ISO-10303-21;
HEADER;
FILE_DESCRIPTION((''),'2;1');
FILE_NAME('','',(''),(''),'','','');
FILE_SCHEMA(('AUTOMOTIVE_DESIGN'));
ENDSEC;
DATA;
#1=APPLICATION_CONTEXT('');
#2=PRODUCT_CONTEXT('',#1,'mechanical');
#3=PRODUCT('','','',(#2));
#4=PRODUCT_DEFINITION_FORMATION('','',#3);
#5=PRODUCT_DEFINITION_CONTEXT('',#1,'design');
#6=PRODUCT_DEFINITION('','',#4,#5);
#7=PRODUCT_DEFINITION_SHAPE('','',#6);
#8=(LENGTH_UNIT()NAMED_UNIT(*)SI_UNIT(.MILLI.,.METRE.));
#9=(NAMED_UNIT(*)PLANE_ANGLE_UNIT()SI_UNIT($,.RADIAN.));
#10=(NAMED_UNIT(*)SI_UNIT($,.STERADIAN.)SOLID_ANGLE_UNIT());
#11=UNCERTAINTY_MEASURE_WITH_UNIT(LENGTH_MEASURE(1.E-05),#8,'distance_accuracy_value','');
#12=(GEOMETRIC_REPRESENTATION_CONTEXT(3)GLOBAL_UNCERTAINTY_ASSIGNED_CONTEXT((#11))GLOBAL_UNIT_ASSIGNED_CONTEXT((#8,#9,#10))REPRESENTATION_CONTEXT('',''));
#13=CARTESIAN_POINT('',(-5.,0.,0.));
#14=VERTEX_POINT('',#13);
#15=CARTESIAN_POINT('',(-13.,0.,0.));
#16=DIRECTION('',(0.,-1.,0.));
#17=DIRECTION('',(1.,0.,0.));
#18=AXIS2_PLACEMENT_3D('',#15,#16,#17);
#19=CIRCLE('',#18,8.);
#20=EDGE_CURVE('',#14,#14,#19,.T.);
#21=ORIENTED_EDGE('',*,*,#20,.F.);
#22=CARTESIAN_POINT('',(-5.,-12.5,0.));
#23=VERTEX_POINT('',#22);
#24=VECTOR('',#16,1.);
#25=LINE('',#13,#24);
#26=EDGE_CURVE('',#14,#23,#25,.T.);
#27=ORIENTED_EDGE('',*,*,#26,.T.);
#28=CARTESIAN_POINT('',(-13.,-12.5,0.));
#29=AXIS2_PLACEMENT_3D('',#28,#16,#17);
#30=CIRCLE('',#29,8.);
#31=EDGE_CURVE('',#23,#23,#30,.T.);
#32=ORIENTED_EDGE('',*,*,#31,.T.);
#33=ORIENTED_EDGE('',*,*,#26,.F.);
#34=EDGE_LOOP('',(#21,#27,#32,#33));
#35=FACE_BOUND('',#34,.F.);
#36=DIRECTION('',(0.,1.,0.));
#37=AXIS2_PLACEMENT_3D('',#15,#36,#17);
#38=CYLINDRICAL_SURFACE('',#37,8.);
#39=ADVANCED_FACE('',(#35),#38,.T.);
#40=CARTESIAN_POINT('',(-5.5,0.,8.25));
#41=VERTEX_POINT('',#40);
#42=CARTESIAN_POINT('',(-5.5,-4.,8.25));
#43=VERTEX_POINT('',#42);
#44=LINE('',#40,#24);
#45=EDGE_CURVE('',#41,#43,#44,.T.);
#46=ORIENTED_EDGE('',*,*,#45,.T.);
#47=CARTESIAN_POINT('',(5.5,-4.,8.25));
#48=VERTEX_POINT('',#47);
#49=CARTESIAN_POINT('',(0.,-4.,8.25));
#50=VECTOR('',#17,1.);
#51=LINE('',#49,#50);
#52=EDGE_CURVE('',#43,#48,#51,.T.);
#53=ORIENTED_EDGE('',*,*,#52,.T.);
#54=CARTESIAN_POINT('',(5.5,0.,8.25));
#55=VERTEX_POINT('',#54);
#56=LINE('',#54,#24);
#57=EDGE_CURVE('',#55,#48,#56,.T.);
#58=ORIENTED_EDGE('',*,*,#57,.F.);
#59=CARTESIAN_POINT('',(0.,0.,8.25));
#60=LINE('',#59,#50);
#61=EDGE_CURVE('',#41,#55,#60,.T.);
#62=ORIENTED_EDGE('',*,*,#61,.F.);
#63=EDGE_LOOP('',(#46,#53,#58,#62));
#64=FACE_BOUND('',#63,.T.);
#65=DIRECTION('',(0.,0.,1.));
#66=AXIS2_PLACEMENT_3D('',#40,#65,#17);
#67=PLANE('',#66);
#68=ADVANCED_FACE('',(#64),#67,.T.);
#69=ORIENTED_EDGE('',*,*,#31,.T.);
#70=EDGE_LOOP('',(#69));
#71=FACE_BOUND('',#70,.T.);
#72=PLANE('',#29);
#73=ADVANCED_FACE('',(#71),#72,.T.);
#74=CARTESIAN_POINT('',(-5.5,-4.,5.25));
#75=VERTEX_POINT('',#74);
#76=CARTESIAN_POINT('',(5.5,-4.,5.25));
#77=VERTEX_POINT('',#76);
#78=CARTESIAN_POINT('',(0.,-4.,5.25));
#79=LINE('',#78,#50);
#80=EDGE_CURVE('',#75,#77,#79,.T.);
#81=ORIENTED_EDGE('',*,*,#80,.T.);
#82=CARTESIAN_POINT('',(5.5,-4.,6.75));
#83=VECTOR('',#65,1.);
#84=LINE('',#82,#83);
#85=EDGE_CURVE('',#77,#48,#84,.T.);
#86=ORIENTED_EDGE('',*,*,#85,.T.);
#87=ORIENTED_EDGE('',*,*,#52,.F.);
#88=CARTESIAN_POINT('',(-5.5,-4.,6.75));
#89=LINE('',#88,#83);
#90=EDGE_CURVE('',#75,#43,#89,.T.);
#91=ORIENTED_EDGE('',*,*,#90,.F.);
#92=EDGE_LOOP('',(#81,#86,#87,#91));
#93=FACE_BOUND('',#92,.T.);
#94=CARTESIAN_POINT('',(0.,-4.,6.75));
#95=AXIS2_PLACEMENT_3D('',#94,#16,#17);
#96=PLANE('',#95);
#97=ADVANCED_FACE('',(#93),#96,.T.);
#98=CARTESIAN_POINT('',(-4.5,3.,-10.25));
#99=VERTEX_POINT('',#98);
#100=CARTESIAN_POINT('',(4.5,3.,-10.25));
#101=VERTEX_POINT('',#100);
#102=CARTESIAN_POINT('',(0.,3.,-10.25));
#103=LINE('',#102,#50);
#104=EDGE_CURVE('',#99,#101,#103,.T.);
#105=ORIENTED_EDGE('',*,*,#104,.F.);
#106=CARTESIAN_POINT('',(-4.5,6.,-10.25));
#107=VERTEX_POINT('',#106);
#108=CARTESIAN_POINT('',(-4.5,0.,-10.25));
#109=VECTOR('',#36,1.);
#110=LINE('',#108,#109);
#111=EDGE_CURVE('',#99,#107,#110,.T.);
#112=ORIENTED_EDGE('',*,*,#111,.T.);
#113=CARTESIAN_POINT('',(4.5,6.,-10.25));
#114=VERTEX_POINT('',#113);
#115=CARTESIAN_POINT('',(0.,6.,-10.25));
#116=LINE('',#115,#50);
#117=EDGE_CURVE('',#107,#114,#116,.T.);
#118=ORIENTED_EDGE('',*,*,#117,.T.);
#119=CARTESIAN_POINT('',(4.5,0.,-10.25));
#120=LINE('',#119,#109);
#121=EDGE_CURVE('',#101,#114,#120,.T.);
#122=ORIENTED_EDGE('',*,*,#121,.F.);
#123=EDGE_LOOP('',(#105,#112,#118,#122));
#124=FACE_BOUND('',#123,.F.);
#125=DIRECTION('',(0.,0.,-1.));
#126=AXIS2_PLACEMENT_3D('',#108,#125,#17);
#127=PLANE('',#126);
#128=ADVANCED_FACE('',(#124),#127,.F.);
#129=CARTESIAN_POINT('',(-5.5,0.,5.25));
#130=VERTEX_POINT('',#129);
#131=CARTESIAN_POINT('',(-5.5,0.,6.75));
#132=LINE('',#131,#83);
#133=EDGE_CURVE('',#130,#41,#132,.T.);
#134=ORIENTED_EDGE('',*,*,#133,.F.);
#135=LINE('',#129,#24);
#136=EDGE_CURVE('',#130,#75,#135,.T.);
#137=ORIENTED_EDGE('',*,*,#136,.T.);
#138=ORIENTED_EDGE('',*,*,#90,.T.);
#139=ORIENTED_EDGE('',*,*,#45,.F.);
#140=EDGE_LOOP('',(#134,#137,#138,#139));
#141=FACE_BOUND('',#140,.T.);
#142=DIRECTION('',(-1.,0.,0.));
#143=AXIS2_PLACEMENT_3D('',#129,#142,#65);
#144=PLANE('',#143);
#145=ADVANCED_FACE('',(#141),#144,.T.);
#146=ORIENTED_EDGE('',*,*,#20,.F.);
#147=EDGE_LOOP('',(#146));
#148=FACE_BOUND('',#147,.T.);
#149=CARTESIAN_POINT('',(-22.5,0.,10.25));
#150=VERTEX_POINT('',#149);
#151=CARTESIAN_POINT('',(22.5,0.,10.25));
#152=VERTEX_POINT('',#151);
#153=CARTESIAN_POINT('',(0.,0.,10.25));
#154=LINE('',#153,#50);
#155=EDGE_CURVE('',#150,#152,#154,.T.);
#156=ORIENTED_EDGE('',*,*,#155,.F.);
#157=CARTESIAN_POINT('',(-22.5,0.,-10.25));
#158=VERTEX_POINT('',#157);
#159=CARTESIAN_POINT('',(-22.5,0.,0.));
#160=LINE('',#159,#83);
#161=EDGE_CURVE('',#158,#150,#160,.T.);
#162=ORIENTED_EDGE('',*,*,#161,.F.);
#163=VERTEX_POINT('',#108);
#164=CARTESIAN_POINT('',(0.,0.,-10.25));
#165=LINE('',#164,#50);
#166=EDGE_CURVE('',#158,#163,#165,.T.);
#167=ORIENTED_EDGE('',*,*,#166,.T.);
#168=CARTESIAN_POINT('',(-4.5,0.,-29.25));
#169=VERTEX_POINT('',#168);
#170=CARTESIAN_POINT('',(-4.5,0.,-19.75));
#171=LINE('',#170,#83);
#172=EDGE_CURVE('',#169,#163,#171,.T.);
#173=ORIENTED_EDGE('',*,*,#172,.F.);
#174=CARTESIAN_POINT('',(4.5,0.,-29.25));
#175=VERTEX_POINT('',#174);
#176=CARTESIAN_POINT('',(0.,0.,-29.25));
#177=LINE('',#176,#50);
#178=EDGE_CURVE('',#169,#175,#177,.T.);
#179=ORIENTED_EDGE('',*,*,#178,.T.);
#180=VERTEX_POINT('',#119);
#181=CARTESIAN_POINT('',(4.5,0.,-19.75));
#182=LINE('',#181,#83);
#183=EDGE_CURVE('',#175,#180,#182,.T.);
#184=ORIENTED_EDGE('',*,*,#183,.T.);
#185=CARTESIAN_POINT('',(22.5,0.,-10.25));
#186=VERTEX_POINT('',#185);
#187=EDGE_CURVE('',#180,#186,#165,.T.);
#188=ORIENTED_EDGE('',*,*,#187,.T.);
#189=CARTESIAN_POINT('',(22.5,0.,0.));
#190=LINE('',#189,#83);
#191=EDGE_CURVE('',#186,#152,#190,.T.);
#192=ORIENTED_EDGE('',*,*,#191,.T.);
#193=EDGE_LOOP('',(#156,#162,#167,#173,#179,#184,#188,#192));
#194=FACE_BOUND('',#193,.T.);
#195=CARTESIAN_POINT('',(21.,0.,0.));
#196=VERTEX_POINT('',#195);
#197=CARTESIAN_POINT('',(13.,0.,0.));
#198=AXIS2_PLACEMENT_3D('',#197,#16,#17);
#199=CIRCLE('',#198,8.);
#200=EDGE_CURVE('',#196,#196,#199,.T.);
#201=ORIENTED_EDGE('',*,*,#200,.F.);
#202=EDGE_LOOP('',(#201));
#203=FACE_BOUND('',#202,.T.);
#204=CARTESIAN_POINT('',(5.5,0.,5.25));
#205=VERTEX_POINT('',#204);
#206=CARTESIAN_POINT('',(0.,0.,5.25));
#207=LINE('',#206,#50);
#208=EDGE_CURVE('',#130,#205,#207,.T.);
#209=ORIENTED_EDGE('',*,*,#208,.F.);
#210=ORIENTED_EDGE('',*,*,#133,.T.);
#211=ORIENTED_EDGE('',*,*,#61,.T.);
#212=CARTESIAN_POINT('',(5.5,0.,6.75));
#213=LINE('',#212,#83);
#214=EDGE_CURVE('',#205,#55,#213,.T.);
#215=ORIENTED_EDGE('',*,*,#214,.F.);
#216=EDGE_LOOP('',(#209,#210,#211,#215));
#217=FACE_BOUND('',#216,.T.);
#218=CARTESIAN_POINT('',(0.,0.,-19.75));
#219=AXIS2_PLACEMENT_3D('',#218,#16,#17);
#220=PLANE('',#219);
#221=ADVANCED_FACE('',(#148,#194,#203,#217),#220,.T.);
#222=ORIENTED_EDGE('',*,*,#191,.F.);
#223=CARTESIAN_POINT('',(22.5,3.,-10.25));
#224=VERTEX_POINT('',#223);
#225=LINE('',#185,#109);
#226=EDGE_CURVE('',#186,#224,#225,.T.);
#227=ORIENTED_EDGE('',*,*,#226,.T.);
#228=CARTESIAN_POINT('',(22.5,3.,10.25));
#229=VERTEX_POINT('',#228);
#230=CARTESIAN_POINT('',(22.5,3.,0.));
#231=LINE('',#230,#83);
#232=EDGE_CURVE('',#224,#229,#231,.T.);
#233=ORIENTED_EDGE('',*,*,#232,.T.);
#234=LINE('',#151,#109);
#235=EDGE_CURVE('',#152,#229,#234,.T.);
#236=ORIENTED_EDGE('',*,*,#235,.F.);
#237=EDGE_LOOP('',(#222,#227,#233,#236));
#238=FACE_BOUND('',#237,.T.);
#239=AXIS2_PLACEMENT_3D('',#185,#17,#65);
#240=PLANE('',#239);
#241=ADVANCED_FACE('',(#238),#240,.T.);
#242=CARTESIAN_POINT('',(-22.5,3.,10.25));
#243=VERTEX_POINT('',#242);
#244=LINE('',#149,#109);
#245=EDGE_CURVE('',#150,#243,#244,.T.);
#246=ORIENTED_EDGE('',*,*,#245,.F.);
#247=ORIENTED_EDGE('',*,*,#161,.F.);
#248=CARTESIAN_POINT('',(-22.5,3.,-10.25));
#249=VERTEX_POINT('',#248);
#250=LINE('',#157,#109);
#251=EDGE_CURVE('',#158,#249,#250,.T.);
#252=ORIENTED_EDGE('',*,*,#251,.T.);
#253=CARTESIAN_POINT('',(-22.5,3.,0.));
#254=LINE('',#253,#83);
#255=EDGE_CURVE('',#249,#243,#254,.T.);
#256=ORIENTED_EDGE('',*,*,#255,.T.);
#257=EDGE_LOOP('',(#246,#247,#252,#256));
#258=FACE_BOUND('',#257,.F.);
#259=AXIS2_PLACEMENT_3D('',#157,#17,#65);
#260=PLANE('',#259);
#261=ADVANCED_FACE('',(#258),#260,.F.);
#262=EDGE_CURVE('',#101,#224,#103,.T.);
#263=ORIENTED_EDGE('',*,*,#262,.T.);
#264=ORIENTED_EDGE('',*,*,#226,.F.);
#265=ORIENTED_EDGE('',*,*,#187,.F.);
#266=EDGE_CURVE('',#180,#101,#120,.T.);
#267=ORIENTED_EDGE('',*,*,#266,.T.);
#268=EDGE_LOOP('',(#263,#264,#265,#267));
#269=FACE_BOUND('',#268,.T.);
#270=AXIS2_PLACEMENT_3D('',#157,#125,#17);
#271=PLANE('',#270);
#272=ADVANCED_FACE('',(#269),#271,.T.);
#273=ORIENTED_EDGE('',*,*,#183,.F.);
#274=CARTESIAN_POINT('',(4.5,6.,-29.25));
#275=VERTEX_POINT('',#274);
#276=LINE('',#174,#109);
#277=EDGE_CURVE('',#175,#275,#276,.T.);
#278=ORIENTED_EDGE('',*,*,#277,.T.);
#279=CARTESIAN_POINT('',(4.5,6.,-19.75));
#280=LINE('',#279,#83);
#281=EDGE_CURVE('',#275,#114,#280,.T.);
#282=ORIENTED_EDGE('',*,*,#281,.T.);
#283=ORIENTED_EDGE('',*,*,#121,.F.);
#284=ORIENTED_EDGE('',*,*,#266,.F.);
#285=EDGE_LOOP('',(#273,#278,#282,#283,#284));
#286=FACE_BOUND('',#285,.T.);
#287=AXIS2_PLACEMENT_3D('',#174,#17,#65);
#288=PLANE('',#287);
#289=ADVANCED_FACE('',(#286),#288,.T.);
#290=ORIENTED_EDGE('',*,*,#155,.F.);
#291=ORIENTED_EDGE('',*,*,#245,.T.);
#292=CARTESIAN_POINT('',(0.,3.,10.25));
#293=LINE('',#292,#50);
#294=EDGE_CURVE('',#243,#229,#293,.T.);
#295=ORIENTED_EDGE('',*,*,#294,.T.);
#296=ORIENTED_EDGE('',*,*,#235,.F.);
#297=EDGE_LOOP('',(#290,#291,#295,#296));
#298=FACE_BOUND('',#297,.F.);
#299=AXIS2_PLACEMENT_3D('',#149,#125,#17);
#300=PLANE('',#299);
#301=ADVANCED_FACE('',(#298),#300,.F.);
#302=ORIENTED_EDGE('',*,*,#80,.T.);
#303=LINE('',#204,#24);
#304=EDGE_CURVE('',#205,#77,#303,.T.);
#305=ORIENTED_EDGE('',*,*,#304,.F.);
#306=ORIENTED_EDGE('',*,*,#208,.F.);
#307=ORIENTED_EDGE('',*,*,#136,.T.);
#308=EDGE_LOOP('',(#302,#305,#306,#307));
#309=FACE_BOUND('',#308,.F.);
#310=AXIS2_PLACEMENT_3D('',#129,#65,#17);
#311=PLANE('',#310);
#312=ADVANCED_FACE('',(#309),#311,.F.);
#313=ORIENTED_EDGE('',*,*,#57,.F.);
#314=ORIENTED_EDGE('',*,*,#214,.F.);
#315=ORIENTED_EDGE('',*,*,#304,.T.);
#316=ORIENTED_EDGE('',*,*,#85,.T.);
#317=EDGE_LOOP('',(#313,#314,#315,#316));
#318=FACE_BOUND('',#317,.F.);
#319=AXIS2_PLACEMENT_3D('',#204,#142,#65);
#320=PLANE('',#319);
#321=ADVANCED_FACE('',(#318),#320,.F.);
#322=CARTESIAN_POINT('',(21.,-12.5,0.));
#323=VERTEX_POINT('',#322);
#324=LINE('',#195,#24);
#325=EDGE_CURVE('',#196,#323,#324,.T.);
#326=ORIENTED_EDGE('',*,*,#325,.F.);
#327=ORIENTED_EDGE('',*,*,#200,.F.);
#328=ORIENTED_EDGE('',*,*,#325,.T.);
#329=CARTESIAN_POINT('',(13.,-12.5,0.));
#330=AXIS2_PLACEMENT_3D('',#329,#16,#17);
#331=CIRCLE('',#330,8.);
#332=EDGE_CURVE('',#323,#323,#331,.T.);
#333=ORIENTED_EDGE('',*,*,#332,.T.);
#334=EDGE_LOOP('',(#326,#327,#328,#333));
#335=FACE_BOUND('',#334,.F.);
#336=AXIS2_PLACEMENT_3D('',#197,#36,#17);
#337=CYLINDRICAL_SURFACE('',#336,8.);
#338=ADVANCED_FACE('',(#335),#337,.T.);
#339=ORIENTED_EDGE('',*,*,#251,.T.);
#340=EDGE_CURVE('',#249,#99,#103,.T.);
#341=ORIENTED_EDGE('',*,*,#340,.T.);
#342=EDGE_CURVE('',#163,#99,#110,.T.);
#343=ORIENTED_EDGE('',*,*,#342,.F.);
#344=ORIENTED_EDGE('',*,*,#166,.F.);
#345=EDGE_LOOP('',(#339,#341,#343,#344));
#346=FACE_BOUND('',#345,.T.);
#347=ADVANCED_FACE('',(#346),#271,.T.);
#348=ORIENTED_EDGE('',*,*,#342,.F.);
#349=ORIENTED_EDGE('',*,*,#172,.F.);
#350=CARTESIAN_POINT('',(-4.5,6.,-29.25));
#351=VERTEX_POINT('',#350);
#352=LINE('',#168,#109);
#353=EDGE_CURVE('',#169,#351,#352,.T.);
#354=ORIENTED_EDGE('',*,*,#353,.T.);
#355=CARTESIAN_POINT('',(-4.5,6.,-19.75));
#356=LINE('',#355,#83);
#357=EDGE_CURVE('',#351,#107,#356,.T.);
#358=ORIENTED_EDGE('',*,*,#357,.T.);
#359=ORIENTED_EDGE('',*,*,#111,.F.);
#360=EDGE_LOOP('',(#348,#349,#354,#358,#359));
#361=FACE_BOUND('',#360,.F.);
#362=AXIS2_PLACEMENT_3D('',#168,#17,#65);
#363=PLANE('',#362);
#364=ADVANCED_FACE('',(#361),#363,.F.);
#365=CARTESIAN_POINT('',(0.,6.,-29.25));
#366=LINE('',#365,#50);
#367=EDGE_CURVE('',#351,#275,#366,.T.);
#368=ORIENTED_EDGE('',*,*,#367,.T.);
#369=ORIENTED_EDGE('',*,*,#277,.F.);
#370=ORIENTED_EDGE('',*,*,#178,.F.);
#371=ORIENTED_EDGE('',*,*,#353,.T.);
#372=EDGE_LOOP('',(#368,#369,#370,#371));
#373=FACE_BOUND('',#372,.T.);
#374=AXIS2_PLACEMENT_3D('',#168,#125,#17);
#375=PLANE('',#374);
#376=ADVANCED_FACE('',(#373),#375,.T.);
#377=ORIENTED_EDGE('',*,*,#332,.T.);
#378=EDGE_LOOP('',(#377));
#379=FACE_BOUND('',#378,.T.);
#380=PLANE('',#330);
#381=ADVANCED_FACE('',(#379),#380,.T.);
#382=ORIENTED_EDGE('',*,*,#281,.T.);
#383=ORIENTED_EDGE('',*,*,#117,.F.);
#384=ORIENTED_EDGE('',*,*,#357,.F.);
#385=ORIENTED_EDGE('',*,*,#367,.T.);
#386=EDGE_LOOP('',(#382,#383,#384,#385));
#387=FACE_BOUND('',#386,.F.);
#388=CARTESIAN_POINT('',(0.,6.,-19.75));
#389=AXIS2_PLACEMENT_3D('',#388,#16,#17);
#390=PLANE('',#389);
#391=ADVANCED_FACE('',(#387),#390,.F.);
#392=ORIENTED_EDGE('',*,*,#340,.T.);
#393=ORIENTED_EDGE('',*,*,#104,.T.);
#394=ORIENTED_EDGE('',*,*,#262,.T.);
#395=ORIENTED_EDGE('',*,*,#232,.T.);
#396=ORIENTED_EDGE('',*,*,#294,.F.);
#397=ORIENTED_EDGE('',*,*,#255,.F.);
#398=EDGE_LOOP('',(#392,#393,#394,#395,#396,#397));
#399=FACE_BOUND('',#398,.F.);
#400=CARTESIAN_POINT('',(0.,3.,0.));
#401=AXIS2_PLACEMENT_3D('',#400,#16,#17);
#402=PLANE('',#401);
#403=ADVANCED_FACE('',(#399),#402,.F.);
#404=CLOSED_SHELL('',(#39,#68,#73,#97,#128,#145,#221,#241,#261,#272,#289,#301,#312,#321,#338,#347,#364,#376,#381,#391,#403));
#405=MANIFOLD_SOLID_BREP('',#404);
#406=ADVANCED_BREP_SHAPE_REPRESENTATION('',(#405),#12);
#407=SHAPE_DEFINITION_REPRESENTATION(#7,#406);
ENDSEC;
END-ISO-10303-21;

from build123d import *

# Parameters (mm, degrees)
F0_W     = 45
F0_H     = 20.5
F1_DEPTH = 3
F2_R     = 8
F3_DEPTH = 12.5
F4_W     = 11
F4_H     = 3
F5_DEPTH = 4
F6_W     = 9
F6_H     = 19
F7_DEPTH = 6


with BuildPart() as f1:
    # F0 (on Front) → F1 (new body)
    with BuildSketch(Plane.XZ):
        Rectangle(F0_W, F0_H)
    extrude(amount=-F1_DEPTH)

    # F2 (on Front) → F3 (join)
    with BuildSketch(Plane.XZ):
        with Locations((-13, 0)):
            Circle(F2_R)
        with Locations((13, 0)):
            Circle(F2_R)
    extrude(amount=F3_DEPTH)

    # F4 (on Front) → F5 (join)
    with BuildSketch(Plane.XZ):
        with Locations((0, 6.75)):
            Rectangle(F4_W, F4_H)
    extrude(amount=F5_DEPTH)

    # F6 (on Front) → F7 (join)
    with BuildSketch(Plane.XZ):
        with Locations((0, -19.75)):
            Rectangle(F6_W, F6_H)
    extrude(amount=-F7_DEPTH)


solid = f1.part
